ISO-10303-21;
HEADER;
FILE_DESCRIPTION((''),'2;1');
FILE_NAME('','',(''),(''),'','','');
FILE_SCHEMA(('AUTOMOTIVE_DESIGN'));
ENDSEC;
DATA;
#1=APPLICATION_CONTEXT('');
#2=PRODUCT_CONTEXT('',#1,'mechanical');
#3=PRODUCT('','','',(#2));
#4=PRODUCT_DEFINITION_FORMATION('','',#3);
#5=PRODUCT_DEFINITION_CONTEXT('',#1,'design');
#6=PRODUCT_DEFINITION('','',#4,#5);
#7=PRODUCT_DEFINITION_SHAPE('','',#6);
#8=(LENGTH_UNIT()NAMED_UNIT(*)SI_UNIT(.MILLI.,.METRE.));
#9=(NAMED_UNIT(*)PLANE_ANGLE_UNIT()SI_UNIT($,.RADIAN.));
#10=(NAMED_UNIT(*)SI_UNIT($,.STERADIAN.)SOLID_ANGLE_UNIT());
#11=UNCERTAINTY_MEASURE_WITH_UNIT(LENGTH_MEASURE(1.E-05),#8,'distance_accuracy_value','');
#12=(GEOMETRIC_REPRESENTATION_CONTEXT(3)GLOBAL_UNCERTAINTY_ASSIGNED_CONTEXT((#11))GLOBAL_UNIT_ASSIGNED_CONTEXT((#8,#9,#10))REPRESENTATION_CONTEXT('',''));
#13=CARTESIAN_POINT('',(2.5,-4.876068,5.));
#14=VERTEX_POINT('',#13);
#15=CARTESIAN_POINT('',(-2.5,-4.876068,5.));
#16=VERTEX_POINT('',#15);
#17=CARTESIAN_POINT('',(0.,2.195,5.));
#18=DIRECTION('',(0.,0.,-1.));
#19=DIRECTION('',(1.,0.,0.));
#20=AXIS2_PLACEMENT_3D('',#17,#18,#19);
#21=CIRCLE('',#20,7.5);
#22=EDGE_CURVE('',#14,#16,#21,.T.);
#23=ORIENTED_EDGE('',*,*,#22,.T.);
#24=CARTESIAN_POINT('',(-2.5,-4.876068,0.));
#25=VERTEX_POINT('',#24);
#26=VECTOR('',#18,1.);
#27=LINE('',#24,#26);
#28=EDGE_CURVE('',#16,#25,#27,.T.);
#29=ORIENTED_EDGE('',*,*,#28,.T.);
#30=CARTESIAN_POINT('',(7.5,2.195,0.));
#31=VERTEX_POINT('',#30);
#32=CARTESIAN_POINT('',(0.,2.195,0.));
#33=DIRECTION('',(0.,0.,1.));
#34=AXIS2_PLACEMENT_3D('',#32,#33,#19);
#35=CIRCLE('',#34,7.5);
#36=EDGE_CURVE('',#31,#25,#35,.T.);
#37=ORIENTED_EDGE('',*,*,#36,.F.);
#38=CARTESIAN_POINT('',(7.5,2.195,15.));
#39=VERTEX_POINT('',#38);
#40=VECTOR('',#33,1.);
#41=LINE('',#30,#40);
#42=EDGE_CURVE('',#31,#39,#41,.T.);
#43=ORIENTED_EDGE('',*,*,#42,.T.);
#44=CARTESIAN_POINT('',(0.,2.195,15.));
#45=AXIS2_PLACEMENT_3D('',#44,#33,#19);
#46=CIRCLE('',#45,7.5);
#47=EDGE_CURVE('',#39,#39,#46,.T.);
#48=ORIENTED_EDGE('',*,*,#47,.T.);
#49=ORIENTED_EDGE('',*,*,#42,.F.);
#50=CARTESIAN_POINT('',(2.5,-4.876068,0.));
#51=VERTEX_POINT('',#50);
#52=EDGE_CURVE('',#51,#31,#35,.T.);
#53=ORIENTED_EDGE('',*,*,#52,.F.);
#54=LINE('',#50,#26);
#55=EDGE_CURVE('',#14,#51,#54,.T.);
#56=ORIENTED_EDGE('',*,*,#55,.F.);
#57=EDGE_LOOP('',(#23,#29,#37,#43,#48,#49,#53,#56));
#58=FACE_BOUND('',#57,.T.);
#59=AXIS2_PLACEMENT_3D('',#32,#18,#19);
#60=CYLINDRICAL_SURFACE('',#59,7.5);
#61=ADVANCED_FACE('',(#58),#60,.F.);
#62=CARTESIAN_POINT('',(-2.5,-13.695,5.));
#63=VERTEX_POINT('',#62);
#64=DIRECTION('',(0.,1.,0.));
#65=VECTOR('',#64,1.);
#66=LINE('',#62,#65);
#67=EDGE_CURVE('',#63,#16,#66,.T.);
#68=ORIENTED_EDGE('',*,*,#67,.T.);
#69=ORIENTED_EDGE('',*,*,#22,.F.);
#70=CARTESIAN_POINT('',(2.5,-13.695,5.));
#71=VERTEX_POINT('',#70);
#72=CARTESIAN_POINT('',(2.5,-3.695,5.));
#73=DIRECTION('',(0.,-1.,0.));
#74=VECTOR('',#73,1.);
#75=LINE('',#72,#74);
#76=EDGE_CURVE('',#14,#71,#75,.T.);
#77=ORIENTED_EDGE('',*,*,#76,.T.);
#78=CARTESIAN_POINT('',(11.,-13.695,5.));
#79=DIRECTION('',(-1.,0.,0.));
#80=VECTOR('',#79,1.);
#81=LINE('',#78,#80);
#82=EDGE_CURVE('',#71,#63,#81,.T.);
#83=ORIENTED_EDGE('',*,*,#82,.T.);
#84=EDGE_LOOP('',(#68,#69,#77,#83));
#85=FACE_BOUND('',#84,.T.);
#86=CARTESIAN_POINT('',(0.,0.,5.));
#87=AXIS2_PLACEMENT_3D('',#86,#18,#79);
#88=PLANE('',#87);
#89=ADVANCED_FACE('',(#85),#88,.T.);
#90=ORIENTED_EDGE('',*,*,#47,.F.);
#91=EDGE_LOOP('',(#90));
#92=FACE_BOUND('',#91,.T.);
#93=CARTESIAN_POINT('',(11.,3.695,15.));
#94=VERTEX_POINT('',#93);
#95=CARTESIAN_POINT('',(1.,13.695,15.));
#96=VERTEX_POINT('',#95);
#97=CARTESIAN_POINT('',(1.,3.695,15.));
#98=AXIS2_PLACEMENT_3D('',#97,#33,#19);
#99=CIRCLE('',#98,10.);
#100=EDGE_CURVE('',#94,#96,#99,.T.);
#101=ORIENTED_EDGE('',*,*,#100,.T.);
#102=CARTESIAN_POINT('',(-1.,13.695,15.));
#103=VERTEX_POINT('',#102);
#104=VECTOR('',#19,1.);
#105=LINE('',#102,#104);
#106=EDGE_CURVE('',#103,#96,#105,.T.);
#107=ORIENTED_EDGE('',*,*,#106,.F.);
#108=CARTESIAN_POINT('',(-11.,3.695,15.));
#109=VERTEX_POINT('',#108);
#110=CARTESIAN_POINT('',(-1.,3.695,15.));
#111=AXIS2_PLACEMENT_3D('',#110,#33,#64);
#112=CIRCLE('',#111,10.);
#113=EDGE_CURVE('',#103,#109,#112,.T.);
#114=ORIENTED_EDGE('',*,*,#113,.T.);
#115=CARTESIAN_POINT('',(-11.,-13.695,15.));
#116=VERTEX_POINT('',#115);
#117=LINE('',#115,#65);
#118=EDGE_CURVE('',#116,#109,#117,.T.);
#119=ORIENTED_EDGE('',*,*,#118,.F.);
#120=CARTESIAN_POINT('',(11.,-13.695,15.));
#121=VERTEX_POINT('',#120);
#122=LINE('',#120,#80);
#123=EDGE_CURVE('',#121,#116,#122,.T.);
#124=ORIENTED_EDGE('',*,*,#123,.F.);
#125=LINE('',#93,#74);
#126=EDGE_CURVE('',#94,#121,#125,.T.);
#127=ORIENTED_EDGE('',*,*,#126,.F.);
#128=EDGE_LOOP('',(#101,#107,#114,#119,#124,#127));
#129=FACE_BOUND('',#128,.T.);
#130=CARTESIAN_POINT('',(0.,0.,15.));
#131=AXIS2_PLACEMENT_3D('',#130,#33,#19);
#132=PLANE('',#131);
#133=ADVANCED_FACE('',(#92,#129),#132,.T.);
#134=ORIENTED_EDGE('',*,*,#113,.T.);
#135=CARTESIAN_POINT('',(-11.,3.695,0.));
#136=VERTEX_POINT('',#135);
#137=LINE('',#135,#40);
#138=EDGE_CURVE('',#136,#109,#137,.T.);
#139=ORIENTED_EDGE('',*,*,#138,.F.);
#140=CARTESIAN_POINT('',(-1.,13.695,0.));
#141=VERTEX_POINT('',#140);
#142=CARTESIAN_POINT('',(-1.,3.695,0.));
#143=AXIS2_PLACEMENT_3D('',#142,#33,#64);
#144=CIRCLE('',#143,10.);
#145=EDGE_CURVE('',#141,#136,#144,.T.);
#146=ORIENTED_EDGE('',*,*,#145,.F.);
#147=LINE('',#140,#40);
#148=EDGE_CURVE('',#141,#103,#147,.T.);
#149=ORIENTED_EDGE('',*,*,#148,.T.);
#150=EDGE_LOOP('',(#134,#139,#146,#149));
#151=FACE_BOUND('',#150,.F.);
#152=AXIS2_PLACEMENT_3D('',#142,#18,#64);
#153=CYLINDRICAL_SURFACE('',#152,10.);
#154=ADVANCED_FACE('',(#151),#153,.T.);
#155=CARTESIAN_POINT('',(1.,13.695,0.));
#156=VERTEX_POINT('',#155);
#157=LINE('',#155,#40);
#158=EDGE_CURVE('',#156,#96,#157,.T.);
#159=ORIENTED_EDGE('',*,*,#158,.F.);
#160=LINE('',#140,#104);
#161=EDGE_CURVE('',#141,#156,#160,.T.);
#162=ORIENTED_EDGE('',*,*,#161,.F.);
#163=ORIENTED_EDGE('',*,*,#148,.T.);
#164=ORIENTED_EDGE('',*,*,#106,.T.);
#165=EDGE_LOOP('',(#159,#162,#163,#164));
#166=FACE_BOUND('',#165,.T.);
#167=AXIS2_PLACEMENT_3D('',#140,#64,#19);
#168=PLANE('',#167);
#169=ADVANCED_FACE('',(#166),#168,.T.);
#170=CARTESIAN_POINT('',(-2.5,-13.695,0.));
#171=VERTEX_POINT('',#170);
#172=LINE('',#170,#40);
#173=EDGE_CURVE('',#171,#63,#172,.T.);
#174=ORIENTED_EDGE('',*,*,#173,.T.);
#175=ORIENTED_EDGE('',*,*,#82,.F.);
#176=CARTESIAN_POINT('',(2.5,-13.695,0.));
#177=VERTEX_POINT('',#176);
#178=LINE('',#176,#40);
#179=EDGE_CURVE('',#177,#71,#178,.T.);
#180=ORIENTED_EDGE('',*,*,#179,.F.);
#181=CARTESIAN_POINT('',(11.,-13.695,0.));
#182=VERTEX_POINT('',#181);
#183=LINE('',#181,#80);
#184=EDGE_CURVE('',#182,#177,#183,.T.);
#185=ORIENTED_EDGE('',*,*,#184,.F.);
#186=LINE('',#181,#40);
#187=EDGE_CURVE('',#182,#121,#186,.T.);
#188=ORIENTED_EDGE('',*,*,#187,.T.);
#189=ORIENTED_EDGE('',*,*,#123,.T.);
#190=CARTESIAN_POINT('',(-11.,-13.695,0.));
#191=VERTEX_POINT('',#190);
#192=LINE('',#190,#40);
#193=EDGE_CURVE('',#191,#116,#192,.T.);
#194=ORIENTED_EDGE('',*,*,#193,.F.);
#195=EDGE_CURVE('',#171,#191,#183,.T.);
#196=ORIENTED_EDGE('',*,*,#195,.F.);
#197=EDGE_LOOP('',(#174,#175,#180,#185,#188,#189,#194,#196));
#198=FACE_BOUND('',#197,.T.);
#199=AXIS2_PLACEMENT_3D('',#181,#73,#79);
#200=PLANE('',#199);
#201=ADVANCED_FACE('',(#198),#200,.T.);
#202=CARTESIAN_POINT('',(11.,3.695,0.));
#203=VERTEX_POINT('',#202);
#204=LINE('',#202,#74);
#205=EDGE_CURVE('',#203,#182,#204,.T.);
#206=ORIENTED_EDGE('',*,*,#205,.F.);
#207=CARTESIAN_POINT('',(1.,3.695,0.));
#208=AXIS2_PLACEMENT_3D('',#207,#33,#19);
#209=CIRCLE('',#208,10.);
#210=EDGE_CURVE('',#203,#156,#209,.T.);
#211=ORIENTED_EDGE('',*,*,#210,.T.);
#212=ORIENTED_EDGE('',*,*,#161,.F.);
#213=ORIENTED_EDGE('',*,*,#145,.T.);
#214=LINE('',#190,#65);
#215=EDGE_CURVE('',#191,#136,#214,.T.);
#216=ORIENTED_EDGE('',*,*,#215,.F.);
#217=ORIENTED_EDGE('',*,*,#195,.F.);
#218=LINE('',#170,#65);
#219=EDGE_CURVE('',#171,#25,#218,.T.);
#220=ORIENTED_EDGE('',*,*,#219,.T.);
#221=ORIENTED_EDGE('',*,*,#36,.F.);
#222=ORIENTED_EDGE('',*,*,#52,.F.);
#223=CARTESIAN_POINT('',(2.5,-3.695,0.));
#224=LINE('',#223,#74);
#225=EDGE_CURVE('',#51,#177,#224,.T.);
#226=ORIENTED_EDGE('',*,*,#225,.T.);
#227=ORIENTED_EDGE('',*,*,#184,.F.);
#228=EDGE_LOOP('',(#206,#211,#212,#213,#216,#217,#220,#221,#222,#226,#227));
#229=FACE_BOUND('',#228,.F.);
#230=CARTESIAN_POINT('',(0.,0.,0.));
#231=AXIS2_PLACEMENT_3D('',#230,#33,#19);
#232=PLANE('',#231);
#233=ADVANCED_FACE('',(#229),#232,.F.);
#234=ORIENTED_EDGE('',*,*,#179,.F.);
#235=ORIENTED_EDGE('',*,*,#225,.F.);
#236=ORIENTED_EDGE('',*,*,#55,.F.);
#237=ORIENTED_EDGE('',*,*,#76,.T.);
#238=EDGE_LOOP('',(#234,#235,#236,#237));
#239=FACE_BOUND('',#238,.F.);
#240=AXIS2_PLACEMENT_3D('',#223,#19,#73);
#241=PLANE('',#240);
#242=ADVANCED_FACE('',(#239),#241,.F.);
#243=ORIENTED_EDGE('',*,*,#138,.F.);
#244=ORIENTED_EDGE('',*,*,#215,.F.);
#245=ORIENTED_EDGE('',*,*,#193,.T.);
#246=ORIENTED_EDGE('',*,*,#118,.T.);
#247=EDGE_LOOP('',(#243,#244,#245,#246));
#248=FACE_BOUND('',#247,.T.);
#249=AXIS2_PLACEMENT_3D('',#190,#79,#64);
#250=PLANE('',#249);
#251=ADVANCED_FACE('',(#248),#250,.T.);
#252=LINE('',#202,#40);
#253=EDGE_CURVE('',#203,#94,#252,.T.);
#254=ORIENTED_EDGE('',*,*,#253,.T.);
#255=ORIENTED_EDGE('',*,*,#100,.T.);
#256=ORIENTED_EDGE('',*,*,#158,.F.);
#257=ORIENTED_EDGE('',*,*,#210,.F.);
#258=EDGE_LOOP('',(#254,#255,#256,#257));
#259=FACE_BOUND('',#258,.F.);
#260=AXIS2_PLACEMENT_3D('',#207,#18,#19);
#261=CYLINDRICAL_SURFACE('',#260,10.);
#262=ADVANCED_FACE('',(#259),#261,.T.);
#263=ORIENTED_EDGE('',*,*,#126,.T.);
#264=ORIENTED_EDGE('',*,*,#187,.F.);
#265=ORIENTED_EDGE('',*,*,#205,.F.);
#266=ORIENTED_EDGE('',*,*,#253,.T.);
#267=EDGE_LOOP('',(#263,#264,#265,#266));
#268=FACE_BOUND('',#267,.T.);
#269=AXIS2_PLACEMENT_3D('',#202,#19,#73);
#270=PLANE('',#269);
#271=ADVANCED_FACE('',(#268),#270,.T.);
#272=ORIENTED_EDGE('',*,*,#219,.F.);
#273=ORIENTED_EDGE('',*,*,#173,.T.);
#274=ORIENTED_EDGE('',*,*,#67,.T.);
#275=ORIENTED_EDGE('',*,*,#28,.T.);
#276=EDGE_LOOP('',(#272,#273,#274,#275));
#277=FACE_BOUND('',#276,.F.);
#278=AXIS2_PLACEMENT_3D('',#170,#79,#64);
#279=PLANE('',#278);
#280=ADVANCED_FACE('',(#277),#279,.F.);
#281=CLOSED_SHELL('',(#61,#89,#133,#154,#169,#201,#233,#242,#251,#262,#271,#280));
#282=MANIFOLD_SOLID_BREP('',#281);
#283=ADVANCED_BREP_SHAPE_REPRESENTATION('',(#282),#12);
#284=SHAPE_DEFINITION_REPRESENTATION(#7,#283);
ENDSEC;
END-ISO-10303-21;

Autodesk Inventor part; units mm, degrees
ref_plane "YZ Plane" through (0, 0, 0) normal (1, 0, 0) x (0, 1, 0)
ref_plane "XZ Plane" through (0, 0, 0) normal (0, 1, 0) x (-1, 0, 0)
ref_plane "XY Plane" through (0, 0, 0) normal (0, 0, 1) x (1, 0, 0)
sketch "Sketch1" plane through (0, 0, 0) normal (0, 0, 1) x (1, 0, 0)
  line L0 (11, -13.695) -> (-11, -13.695)
  line L1 (-11, -13.695) -> (-11, 3.695)
  line L2 (-1, 13.695) -> (1, 13.695)
  line L3 (11, 3.695) -> (11, -13.695)
  line L4 (11, -13.695) -> (-11, 13.695) construction
  line L5 (-11, -13.695) -> (11, 13.695) construction
  arc A0 (-1, 13.695) -> (-11, 3.695) centre (-1, 3.695) ccw
  arc A1 (11, 3.695) -> (1, 13.695) centre (1, 3.695) ccw
  circle A2 centre (0, 2.195) radius 7.5
  point P0 (0, 0)
  dimension "d0" = 27.39
  dimension "d1" = 22
  dimension "d2" = 10
  dimension "d3" = 15
  dimension "d4" = 11.5
  dimension "d11" = 11
extrude "Extrusion1" add sketch "Sketch1" along normal blind 15
sketch "Sketch2" plane through (0, 0, 0) normal (0, 0, -1) x (-1, 0, 0)
  line L0 (-11, -13.695) -> (11, -13.695) projected
  line L1 (-2.5, -13.695) -> (2.5, -13.695)
  line L2 (2.5, -13.695) -> (2.5, -3.695)
  line L3 (2.5, -3.695) -> (-2.5, -3.695)
  line L4 (-2.5, -3.695) -> (-2.5, -13.695)
  line L5 (0, -19.173) -> (0, 19.173) construction
  point P0 (0, 0)
  dimension "d7" = 10
  dimension "d8" = 5
extrude "Extrusion2" cut sketch "Sketch2" against normal blind 5
equation "\"d11\" = 0.5 * d1"
properties part number "supporto_manicotto_X"
